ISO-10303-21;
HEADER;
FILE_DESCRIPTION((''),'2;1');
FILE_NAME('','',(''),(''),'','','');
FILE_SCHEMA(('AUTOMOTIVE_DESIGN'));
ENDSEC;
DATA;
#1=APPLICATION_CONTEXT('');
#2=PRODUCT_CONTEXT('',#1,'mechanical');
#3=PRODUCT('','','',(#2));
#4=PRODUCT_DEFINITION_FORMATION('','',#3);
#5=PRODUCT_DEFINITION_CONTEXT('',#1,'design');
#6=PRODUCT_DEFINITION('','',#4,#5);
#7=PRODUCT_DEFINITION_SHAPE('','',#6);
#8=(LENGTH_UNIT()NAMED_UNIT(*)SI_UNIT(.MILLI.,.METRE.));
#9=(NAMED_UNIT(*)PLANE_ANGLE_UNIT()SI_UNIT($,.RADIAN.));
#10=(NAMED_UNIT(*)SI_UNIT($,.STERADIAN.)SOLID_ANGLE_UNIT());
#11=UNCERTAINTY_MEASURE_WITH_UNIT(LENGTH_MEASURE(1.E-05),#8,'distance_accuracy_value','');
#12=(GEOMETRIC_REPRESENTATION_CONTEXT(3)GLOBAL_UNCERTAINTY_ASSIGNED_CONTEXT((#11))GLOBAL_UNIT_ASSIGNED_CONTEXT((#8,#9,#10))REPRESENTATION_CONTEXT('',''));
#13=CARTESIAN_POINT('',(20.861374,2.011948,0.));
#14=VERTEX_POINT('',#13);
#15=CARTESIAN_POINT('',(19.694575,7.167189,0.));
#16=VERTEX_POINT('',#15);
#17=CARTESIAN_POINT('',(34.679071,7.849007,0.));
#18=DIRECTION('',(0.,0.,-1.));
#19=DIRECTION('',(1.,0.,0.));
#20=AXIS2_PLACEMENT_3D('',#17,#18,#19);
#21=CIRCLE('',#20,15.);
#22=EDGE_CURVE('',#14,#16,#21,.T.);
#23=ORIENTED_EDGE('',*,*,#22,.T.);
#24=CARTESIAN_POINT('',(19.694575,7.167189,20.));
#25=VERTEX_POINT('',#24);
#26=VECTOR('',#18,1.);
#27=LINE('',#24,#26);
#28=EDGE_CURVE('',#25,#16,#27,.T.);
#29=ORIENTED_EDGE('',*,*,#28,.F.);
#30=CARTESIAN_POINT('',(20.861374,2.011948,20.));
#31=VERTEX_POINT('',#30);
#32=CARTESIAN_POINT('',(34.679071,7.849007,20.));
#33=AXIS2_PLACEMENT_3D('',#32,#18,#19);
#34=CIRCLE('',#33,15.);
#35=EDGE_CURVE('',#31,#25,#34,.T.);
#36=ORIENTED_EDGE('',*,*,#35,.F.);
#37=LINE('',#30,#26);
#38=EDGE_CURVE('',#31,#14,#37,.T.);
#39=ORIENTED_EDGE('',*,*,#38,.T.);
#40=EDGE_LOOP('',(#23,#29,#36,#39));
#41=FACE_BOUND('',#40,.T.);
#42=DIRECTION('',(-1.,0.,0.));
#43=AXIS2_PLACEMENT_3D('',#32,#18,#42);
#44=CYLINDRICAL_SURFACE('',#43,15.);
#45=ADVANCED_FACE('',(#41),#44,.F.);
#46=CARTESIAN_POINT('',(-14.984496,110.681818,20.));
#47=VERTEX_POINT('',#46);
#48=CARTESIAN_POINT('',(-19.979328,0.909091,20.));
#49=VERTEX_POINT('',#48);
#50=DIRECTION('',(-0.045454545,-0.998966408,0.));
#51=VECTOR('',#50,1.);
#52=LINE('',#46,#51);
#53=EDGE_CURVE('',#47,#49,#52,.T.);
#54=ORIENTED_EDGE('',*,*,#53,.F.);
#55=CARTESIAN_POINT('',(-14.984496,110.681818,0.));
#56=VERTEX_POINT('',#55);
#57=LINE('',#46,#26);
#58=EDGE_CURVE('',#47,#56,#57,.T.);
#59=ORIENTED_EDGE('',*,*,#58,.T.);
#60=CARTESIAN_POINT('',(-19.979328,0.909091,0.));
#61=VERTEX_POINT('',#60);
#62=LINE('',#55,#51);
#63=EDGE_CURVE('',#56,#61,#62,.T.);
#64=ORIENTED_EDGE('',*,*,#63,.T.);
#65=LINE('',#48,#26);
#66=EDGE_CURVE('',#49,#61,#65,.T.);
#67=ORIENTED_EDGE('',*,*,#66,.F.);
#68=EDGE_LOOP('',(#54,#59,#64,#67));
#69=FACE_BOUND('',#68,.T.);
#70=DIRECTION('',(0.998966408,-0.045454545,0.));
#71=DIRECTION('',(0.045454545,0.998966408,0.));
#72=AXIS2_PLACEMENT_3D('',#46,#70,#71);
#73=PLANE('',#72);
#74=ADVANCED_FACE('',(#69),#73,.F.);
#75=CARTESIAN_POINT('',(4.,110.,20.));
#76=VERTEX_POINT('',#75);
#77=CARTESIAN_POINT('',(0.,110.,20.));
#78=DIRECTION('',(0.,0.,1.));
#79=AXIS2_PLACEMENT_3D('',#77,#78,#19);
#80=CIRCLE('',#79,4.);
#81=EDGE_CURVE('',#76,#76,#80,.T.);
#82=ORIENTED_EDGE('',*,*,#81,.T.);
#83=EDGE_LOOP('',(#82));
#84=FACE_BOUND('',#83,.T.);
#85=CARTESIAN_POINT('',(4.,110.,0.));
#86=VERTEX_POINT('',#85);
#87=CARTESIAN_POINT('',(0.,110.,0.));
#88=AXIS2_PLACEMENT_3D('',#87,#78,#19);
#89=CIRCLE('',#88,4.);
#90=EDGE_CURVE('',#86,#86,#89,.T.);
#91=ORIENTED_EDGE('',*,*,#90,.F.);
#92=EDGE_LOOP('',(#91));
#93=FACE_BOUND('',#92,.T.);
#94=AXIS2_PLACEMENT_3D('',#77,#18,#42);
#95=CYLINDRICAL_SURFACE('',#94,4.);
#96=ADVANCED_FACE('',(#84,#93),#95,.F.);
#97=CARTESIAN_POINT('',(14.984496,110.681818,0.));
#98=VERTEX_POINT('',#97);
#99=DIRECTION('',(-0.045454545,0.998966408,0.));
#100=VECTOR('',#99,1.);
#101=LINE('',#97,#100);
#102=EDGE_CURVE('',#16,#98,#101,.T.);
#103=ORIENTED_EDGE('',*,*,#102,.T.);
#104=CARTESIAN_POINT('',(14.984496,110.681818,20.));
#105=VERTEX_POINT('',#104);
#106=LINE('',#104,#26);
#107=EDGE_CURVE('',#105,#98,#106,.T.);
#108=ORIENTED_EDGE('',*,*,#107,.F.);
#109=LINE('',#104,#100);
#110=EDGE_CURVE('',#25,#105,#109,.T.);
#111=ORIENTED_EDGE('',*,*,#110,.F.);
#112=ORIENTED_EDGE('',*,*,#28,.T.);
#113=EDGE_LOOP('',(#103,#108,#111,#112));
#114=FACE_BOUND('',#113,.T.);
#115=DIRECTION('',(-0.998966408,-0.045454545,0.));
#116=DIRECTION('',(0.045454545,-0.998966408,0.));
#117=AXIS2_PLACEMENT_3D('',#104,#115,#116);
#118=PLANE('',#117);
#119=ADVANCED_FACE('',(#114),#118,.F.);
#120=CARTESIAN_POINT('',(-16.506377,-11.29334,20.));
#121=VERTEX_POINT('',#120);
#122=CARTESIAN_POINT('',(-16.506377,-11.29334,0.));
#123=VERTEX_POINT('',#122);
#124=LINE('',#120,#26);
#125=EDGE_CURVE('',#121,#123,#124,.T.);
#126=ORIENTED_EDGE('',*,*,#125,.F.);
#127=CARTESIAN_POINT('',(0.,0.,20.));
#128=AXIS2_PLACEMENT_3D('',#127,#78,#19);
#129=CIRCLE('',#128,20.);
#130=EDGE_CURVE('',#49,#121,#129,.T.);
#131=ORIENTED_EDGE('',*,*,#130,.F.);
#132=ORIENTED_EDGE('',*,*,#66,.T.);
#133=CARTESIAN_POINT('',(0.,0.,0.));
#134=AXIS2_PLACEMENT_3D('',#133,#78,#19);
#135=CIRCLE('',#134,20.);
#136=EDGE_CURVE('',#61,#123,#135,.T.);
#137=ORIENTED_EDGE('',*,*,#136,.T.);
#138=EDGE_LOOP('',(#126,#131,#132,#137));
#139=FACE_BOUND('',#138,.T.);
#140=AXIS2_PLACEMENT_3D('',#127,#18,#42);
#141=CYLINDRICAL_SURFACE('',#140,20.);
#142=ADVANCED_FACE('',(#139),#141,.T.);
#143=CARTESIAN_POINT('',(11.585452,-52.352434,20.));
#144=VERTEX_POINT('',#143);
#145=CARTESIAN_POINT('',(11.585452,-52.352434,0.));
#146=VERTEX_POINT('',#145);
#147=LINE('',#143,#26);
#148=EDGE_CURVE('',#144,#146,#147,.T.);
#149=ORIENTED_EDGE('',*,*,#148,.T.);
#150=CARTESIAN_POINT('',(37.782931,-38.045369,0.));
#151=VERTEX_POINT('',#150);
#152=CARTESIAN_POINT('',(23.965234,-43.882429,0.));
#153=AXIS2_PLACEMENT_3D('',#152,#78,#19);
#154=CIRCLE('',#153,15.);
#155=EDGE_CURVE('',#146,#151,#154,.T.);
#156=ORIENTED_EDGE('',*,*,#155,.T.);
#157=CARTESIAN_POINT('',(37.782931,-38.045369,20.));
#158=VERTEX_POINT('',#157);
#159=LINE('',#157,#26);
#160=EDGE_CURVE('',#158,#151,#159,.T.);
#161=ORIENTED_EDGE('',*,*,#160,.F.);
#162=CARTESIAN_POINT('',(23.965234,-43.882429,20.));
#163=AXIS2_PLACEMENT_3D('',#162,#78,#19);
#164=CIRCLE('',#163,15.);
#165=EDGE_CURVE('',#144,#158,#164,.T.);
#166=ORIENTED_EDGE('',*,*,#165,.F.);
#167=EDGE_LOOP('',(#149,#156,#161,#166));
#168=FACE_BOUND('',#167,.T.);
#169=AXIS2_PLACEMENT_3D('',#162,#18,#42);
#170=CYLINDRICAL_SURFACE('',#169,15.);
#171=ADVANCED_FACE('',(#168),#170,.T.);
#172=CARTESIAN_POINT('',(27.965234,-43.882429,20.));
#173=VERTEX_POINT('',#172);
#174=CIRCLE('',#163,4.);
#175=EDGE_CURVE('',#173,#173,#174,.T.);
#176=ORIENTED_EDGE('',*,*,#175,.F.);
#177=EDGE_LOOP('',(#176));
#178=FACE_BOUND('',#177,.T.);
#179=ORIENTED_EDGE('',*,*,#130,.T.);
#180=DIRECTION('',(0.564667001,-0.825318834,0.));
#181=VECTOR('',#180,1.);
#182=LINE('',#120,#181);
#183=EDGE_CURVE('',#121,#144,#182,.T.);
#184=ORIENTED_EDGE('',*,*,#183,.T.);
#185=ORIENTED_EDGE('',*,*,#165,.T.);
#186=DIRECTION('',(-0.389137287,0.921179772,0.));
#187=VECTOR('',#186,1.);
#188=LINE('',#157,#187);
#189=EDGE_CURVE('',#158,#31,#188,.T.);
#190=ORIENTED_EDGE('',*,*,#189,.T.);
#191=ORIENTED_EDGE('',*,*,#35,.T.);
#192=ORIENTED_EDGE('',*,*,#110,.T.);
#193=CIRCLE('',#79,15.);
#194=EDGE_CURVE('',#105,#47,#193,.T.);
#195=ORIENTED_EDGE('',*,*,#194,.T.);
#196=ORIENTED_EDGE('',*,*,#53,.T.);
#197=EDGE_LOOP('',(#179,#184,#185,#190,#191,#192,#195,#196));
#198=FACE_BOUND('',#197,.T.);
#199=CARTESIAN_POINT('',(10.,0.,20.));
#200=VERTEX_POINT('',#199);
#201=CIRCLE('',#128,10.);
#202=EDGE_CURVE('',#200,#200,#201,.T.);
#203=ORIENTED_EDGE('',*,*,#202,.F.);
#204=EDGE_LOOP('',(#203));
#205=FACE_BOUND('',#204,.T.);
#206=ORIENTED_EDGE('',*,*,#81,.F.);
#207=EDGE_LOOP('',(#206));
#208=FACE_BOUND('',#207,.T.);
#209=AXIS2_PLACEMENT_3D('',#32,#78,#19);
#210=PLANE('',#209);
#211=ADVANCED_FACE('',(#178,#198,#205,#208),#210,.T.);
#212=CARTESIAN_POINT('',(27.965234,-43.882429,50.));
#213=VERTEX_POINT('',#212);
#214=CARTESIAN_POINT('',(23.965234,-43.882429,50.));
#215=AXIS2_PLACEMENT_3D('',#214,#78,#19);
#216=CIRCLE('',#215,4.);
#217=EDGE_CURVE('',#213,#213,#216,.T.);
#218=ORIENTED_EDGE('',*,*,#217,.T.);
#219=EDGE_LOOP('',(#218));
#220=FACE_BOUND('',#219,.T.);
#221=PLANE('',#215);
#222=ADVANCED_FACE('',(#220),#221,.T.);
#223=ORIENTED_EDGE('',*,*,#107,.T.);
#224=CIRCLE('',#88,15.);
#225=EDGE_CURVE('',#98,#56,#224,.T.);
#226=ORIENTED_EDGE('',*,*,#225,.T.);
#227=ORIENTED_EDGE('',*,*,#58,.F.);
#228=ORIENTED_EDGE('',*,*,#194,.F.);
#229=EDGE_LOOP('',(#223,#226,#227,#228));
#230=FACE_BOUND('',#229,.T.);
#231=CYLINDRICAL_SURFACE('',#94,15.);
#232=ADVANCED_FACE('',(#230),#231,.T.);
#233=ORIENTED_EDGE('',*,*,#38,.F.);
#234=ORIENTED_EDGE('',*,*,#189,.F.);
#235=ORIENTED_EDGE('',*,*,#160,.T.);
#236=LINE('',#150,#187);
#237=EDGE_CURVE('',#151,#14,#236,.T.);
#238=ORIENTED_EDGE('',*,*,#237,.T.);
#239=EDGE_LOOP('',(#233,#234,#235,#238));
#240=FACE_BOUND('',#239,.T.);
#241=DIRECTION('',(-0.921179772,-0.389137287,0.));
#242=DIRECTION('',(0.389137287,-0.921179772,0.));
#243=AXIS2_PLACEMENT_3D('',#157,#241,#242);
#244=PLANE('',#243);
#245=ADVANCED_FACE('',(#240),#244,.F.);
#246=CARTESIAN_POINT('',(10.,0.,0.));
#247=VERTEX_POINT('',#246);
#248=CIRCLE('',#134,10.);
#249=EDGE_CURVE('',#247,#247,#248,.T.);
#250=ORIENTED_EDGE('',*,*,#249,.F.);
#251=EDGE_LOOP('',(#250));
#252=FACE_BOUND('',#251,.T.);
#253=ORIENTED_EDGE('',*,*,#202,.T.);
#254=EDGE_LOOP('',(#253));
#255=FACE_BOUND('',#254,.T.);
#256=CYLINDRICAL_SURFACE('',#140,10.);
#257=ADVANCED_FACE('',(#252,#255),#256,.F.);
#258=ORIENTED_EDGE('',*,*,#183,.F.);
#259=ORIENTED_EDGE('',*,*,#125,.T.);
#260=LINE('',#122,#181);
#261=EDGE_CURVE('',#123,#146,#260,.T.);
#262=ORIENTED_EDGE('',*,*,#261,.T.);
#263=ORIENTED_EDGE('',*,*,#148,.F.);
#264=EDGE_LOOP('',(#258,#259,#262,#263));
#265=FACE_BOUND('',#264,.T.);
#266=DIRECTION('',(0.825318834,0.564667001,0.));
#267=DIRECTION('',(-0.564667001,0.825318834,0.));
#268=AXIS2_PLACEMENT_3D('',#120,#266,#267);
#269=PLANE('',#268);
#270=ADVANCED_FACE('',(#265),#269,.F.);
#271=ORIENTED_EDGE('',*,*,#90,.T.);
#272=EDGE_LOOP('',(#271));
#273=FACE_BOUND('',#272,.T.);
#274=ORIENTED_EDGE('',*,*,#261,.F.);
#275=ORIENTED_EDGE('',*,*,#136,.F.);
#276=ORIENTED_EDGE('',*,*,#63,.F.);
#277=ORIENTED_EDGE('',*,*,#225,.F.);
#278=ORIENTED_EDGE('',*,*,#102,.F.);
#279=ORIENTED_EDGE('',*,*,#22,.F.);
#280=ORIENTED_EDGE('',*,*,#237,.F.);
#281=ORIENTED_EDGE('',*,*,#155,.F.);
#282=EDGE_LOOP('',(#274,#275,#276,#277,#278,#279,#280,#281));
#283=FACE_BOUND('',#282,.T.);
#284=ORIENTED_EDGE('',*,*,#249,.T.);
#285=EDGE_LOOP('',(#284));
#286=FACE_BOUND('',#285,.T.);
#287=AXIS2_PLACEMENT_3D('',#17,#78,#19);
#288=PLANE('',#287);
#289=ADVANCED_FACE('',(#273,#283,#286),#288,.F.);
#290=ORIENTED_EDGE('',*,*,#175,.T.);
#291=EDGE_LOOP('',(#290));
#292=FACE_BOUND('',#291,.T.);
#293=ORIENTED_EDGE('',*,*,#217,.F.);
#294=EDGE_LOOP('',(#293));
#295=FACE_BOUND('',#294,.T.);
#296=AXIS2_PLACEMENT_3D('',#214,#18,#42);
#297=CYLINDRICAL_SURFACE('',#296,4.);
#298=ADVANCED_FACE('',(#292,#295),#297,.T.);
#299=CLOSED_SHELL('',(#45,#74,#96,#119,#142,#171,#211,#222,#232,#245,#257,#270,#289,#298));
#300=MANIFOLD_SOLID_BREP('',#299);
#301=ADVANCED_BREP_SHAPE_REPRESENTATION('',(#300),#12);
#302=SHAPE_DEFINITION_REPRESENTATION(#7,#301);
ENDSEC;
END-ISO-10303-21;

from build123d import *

# Parameters (mm, degrees)
SKETCH_1_R      = 10
SKETCH_1_R_2    = 4
EXTRUDE_1_DEPTH = 20
SKETCH_2_R      = 4
EXTRUDE_2_DEPTH = 30


with BuildPart() as part:
    # 草图1 → 凸台-拉伸1 (new body)
    with BuildSketch(Plane.XY):
        with BuildLine():
            Line((-14.98449612, 110.681818182), (-19.97932816, 0.909090909))
            ThreePointArc((-19.97932816, 0.909090909), (-19.236072743, -5.474806428), (-16.506376679, -11.293340025))
            Line((-16.506376679, -11.293340025), (11.58545194, -52.352433595))
            ThreePointArc((11.58545194, -52.352433595), (31.154804784, -57.04715715), (37.782931026, -38.045369273))
            Line((37.782931026, -38.045369273), (20.861374384, 2.011947794))
            ThreePointArc((20.861374384, 2.011947794), (20.049111843, 4.537769231), (19.694574841, 7.167188916))
            Line((19.694574841, 7.167188916), (14.98449612, 110.681818182))
            ThreePointArc((14.98449612, 110.681818182), (0, 125), (-14.98449612, 110.681818182))
        make_face()
        Circle(SKETCH_1_R, mode=Mode.SUBTRACT)
        with Locations((0, 110)):
            Circle(SKETCH_1_R_2, mode=Mode.SUBTRACT)
    extrude(amount=EXTRUDE_1_DEPTH)

    # 草图2 → 凸台-拉伸2 (add)
    with BuildSketch(Plane.XY.offset(20)):
        with Locations((23.965234449, -43.882428577)):
            Circle(SKETCH_2_R)
    extrude(amount=EXTRUDE_2_DEPTH)


solid = part.part
